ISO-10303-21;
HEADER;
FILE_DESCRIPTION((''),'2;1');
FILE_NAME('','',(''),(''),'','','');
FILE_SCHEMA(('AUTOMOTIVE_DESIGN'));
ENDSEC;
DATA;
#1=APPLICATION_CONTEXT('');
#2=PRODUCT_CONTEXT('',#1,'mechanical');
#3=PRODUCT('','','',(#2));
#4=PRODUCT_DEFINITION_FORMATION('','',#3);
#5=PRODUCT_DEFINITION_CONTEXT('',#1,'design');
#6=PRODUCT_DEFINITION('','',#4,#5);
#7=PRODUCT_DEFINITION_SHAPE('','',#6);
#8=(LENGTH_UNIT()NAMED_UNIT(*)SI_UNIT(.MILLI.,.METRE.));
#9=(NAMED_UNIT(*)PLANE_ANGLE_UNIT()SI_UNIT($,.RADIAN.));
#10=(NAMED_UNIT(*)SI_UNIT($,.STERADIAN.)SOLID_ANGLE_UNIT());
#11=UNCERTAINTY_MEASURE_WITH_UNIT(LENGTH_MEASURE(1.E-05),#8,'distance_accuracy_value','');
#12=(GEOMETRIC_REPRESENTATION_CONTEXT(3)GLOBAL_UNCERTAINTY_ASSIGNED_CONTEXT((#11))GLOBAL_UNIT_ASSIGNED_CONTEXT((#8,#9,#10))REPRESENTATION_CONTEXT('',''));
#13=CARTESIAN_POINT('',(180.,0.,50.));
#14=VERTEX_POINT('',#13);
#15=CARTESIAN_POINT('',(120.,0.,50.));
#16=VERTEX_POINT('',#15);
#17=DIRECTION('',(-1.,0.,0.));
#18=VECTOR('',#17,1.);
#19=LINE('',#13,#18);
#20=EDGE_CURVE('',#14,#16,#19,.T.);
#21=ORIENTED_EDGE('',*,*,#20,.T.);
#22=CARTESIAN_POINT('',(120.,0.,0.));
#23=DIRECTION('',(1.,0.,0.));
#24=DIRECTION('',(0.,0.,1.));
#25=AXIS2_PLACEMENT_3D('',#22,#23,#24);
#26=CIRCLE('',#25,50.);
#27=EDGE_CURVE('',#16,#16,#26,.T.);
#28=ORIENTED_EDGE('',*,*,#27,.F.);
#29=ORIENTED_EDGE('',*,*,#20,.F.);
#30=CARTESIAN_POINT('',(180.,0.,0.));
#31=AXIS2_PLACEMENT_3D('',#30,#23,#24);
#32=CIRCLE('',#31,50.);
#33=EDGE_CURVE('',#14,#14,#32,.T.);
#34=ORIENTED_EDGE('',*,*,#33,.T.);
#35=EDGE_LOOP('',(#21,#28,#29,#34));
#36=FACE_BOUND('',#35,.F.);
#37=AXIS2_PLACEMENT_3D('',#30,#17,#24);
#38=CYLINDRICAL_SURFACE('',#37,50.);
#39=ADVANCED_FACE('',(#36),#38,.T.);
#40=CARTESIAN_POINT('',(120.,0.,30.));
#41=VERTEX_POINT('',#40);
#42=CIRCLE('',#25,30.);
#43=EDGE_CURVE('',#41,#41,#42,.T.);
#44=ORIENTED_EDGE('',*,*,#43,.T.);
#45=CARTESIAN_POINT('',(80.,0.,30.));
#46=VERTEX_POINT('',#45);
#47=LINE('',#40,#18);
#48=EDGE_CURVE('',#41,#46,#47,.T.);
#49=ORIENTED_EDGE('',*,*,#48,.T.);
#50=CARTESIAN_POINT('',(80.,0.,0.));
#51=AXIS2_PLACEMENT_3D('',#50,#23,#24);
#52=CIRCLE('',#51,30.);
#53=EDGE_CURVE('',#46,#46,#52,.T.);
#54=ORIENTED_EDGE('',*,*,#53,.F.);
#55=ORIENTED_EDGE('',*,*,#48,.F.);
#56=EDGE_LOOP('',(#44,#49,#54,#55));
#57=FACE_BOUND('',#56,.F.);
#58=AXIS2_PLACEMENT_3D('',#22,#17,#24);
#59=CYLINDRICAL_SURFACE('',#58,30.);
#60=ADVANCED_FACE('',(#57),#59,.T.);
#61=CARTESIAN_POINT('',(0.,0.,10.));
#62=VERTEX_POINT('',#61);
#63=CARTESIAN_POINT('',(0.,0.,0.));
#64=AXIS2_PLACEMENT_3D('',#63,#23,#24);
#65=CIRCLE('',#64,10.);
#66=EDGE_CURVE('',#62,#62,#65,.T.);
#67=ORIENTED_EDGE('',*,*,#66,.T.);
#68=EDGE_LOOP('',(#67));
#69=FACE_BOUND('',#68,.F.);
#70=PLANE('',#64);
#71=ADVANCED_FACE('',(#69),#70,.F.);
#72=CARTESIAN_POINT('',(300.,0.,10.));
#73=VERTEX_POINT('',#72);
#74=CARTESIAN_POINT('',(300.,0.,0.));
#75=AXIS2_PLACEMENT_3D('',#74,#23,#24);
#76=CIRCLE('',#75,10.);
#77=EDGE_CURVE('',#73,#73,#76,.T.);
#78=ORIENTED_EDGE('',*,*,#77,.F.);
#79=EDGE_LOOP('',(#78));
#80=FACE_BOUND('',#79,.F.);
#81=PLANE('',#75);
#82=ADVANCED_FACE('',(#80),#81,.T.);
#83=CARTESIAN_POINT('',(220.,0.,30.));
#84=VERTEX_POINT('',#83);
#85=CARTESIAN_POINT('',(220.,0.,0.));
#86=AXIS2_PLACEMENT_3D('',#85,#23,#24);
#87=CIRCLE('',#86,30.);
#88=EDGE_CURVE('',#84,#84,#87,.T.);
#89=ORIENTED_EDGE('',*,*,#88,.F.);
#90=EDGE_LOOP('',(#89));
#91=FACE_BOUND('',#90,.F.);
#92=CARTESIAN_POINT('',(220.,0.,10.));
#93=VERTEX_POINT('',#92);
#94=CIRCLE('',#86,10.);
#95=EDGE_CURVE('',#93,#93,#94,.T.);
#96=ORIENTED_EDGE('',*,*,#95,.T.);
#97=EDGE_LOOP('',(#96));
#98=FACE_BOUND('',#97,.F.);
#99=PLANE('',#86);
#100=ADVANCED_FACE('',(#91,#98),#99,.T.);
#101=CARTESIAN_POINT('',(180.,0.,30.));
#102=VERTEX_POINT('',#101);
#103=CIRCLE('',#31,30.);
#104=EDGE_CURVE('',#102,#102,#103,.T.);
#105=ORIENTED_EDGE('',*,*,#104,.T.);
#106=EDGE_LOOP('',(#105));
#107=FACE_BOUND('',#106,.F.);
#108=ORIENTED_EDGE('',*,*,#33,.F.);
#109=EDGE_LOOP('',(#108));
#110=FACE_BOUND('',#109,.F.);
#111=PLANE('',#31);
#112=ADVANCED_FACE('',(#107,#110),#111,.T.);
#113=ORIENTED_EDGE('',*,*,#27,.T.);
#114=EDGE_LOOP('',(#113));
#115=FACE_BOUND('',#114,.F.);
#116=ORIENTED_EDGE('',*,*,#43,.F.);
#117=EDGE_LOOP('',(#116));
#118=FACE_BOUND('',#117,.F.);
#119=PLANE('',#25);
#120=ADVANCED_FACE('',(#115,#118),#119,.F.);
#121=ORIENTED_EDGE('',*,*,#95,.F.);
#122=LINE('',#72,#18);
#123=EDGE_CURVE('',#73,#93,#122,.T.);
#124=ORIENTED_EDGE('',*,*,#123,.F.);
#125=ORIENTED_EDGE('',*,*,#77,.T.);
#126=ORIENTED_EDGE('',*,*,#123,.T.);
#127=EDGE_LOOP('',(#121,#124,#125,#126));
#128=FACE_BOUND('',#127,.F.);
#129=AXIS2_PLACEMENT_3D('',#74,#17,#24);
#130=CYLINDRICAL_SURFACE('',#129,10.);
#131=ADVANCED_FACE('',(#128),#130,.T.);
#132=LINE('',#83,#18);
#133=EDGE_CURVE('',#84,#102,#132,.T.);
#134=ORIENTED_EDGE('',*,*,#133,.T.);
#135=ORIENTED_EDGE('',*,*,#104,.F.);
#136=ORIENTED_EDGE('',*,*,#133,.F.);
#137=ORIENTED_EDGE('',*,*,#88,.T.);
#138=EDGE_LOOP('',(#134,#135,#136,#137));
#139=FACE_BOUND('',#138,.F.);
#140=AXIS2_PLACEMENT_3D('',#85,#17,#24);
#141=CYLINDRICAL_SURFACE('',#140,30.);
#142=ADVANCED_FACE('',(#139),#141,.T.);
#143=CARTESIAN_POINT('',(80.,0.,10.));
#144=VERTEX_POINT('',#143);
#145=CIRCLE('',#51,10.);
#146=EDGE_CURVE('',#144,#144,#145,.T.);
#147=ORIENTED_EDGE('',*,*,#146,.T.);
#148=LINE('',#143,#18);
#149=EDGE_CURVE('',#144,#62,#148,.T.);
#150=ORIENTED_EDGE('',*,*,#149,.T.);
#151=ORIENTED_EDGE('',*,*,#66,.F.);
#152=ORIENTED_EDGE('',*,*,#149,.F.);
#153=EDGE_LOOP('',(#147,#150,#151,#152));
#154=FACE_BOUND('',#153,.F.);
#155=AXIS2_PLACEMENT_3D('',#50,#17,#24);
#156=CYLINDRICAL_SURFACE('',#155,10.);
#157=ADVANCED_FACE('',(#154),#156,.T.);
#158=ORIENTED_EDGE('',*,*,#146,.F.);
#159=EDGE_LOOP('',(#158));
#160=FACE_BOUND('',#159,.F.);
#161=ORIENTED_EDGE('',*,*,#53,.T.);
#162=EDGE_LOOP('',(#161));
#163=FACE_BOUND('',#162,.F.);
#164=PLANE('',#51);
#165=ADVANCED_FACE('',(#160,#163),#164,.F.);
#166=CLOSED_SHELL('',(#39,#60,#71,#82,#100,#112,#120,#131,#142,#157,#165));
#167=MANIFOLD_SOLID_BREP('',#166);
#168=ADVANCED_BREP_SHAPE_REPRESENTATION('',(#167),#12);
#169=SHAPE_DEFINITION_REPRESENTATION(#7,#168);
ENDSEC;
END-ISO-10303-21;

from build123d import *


with BuildPart() as part:
    # Sketch1 → Revolve1 (revolve)
    with BuildSketch(Plane.XY, mode=Mode.PRIVATE) as revolve1_sk:
        Polygon((0, 10), (0, 0), (300, 0), (300, 10), (220, 10), (220, 30), (180, 30), (180, 50), (120, 50), (120, 30), (80, 30), (80, 10), align=None)
    revolve(revolve1_sk.sketch.rotate(Axis((0, 0, 0), (1, 0, 0)), 90), axis=Axis((0, 0, 0), (1, 0, 0)))  # turned: the seam where the file's is


solid = part.part
